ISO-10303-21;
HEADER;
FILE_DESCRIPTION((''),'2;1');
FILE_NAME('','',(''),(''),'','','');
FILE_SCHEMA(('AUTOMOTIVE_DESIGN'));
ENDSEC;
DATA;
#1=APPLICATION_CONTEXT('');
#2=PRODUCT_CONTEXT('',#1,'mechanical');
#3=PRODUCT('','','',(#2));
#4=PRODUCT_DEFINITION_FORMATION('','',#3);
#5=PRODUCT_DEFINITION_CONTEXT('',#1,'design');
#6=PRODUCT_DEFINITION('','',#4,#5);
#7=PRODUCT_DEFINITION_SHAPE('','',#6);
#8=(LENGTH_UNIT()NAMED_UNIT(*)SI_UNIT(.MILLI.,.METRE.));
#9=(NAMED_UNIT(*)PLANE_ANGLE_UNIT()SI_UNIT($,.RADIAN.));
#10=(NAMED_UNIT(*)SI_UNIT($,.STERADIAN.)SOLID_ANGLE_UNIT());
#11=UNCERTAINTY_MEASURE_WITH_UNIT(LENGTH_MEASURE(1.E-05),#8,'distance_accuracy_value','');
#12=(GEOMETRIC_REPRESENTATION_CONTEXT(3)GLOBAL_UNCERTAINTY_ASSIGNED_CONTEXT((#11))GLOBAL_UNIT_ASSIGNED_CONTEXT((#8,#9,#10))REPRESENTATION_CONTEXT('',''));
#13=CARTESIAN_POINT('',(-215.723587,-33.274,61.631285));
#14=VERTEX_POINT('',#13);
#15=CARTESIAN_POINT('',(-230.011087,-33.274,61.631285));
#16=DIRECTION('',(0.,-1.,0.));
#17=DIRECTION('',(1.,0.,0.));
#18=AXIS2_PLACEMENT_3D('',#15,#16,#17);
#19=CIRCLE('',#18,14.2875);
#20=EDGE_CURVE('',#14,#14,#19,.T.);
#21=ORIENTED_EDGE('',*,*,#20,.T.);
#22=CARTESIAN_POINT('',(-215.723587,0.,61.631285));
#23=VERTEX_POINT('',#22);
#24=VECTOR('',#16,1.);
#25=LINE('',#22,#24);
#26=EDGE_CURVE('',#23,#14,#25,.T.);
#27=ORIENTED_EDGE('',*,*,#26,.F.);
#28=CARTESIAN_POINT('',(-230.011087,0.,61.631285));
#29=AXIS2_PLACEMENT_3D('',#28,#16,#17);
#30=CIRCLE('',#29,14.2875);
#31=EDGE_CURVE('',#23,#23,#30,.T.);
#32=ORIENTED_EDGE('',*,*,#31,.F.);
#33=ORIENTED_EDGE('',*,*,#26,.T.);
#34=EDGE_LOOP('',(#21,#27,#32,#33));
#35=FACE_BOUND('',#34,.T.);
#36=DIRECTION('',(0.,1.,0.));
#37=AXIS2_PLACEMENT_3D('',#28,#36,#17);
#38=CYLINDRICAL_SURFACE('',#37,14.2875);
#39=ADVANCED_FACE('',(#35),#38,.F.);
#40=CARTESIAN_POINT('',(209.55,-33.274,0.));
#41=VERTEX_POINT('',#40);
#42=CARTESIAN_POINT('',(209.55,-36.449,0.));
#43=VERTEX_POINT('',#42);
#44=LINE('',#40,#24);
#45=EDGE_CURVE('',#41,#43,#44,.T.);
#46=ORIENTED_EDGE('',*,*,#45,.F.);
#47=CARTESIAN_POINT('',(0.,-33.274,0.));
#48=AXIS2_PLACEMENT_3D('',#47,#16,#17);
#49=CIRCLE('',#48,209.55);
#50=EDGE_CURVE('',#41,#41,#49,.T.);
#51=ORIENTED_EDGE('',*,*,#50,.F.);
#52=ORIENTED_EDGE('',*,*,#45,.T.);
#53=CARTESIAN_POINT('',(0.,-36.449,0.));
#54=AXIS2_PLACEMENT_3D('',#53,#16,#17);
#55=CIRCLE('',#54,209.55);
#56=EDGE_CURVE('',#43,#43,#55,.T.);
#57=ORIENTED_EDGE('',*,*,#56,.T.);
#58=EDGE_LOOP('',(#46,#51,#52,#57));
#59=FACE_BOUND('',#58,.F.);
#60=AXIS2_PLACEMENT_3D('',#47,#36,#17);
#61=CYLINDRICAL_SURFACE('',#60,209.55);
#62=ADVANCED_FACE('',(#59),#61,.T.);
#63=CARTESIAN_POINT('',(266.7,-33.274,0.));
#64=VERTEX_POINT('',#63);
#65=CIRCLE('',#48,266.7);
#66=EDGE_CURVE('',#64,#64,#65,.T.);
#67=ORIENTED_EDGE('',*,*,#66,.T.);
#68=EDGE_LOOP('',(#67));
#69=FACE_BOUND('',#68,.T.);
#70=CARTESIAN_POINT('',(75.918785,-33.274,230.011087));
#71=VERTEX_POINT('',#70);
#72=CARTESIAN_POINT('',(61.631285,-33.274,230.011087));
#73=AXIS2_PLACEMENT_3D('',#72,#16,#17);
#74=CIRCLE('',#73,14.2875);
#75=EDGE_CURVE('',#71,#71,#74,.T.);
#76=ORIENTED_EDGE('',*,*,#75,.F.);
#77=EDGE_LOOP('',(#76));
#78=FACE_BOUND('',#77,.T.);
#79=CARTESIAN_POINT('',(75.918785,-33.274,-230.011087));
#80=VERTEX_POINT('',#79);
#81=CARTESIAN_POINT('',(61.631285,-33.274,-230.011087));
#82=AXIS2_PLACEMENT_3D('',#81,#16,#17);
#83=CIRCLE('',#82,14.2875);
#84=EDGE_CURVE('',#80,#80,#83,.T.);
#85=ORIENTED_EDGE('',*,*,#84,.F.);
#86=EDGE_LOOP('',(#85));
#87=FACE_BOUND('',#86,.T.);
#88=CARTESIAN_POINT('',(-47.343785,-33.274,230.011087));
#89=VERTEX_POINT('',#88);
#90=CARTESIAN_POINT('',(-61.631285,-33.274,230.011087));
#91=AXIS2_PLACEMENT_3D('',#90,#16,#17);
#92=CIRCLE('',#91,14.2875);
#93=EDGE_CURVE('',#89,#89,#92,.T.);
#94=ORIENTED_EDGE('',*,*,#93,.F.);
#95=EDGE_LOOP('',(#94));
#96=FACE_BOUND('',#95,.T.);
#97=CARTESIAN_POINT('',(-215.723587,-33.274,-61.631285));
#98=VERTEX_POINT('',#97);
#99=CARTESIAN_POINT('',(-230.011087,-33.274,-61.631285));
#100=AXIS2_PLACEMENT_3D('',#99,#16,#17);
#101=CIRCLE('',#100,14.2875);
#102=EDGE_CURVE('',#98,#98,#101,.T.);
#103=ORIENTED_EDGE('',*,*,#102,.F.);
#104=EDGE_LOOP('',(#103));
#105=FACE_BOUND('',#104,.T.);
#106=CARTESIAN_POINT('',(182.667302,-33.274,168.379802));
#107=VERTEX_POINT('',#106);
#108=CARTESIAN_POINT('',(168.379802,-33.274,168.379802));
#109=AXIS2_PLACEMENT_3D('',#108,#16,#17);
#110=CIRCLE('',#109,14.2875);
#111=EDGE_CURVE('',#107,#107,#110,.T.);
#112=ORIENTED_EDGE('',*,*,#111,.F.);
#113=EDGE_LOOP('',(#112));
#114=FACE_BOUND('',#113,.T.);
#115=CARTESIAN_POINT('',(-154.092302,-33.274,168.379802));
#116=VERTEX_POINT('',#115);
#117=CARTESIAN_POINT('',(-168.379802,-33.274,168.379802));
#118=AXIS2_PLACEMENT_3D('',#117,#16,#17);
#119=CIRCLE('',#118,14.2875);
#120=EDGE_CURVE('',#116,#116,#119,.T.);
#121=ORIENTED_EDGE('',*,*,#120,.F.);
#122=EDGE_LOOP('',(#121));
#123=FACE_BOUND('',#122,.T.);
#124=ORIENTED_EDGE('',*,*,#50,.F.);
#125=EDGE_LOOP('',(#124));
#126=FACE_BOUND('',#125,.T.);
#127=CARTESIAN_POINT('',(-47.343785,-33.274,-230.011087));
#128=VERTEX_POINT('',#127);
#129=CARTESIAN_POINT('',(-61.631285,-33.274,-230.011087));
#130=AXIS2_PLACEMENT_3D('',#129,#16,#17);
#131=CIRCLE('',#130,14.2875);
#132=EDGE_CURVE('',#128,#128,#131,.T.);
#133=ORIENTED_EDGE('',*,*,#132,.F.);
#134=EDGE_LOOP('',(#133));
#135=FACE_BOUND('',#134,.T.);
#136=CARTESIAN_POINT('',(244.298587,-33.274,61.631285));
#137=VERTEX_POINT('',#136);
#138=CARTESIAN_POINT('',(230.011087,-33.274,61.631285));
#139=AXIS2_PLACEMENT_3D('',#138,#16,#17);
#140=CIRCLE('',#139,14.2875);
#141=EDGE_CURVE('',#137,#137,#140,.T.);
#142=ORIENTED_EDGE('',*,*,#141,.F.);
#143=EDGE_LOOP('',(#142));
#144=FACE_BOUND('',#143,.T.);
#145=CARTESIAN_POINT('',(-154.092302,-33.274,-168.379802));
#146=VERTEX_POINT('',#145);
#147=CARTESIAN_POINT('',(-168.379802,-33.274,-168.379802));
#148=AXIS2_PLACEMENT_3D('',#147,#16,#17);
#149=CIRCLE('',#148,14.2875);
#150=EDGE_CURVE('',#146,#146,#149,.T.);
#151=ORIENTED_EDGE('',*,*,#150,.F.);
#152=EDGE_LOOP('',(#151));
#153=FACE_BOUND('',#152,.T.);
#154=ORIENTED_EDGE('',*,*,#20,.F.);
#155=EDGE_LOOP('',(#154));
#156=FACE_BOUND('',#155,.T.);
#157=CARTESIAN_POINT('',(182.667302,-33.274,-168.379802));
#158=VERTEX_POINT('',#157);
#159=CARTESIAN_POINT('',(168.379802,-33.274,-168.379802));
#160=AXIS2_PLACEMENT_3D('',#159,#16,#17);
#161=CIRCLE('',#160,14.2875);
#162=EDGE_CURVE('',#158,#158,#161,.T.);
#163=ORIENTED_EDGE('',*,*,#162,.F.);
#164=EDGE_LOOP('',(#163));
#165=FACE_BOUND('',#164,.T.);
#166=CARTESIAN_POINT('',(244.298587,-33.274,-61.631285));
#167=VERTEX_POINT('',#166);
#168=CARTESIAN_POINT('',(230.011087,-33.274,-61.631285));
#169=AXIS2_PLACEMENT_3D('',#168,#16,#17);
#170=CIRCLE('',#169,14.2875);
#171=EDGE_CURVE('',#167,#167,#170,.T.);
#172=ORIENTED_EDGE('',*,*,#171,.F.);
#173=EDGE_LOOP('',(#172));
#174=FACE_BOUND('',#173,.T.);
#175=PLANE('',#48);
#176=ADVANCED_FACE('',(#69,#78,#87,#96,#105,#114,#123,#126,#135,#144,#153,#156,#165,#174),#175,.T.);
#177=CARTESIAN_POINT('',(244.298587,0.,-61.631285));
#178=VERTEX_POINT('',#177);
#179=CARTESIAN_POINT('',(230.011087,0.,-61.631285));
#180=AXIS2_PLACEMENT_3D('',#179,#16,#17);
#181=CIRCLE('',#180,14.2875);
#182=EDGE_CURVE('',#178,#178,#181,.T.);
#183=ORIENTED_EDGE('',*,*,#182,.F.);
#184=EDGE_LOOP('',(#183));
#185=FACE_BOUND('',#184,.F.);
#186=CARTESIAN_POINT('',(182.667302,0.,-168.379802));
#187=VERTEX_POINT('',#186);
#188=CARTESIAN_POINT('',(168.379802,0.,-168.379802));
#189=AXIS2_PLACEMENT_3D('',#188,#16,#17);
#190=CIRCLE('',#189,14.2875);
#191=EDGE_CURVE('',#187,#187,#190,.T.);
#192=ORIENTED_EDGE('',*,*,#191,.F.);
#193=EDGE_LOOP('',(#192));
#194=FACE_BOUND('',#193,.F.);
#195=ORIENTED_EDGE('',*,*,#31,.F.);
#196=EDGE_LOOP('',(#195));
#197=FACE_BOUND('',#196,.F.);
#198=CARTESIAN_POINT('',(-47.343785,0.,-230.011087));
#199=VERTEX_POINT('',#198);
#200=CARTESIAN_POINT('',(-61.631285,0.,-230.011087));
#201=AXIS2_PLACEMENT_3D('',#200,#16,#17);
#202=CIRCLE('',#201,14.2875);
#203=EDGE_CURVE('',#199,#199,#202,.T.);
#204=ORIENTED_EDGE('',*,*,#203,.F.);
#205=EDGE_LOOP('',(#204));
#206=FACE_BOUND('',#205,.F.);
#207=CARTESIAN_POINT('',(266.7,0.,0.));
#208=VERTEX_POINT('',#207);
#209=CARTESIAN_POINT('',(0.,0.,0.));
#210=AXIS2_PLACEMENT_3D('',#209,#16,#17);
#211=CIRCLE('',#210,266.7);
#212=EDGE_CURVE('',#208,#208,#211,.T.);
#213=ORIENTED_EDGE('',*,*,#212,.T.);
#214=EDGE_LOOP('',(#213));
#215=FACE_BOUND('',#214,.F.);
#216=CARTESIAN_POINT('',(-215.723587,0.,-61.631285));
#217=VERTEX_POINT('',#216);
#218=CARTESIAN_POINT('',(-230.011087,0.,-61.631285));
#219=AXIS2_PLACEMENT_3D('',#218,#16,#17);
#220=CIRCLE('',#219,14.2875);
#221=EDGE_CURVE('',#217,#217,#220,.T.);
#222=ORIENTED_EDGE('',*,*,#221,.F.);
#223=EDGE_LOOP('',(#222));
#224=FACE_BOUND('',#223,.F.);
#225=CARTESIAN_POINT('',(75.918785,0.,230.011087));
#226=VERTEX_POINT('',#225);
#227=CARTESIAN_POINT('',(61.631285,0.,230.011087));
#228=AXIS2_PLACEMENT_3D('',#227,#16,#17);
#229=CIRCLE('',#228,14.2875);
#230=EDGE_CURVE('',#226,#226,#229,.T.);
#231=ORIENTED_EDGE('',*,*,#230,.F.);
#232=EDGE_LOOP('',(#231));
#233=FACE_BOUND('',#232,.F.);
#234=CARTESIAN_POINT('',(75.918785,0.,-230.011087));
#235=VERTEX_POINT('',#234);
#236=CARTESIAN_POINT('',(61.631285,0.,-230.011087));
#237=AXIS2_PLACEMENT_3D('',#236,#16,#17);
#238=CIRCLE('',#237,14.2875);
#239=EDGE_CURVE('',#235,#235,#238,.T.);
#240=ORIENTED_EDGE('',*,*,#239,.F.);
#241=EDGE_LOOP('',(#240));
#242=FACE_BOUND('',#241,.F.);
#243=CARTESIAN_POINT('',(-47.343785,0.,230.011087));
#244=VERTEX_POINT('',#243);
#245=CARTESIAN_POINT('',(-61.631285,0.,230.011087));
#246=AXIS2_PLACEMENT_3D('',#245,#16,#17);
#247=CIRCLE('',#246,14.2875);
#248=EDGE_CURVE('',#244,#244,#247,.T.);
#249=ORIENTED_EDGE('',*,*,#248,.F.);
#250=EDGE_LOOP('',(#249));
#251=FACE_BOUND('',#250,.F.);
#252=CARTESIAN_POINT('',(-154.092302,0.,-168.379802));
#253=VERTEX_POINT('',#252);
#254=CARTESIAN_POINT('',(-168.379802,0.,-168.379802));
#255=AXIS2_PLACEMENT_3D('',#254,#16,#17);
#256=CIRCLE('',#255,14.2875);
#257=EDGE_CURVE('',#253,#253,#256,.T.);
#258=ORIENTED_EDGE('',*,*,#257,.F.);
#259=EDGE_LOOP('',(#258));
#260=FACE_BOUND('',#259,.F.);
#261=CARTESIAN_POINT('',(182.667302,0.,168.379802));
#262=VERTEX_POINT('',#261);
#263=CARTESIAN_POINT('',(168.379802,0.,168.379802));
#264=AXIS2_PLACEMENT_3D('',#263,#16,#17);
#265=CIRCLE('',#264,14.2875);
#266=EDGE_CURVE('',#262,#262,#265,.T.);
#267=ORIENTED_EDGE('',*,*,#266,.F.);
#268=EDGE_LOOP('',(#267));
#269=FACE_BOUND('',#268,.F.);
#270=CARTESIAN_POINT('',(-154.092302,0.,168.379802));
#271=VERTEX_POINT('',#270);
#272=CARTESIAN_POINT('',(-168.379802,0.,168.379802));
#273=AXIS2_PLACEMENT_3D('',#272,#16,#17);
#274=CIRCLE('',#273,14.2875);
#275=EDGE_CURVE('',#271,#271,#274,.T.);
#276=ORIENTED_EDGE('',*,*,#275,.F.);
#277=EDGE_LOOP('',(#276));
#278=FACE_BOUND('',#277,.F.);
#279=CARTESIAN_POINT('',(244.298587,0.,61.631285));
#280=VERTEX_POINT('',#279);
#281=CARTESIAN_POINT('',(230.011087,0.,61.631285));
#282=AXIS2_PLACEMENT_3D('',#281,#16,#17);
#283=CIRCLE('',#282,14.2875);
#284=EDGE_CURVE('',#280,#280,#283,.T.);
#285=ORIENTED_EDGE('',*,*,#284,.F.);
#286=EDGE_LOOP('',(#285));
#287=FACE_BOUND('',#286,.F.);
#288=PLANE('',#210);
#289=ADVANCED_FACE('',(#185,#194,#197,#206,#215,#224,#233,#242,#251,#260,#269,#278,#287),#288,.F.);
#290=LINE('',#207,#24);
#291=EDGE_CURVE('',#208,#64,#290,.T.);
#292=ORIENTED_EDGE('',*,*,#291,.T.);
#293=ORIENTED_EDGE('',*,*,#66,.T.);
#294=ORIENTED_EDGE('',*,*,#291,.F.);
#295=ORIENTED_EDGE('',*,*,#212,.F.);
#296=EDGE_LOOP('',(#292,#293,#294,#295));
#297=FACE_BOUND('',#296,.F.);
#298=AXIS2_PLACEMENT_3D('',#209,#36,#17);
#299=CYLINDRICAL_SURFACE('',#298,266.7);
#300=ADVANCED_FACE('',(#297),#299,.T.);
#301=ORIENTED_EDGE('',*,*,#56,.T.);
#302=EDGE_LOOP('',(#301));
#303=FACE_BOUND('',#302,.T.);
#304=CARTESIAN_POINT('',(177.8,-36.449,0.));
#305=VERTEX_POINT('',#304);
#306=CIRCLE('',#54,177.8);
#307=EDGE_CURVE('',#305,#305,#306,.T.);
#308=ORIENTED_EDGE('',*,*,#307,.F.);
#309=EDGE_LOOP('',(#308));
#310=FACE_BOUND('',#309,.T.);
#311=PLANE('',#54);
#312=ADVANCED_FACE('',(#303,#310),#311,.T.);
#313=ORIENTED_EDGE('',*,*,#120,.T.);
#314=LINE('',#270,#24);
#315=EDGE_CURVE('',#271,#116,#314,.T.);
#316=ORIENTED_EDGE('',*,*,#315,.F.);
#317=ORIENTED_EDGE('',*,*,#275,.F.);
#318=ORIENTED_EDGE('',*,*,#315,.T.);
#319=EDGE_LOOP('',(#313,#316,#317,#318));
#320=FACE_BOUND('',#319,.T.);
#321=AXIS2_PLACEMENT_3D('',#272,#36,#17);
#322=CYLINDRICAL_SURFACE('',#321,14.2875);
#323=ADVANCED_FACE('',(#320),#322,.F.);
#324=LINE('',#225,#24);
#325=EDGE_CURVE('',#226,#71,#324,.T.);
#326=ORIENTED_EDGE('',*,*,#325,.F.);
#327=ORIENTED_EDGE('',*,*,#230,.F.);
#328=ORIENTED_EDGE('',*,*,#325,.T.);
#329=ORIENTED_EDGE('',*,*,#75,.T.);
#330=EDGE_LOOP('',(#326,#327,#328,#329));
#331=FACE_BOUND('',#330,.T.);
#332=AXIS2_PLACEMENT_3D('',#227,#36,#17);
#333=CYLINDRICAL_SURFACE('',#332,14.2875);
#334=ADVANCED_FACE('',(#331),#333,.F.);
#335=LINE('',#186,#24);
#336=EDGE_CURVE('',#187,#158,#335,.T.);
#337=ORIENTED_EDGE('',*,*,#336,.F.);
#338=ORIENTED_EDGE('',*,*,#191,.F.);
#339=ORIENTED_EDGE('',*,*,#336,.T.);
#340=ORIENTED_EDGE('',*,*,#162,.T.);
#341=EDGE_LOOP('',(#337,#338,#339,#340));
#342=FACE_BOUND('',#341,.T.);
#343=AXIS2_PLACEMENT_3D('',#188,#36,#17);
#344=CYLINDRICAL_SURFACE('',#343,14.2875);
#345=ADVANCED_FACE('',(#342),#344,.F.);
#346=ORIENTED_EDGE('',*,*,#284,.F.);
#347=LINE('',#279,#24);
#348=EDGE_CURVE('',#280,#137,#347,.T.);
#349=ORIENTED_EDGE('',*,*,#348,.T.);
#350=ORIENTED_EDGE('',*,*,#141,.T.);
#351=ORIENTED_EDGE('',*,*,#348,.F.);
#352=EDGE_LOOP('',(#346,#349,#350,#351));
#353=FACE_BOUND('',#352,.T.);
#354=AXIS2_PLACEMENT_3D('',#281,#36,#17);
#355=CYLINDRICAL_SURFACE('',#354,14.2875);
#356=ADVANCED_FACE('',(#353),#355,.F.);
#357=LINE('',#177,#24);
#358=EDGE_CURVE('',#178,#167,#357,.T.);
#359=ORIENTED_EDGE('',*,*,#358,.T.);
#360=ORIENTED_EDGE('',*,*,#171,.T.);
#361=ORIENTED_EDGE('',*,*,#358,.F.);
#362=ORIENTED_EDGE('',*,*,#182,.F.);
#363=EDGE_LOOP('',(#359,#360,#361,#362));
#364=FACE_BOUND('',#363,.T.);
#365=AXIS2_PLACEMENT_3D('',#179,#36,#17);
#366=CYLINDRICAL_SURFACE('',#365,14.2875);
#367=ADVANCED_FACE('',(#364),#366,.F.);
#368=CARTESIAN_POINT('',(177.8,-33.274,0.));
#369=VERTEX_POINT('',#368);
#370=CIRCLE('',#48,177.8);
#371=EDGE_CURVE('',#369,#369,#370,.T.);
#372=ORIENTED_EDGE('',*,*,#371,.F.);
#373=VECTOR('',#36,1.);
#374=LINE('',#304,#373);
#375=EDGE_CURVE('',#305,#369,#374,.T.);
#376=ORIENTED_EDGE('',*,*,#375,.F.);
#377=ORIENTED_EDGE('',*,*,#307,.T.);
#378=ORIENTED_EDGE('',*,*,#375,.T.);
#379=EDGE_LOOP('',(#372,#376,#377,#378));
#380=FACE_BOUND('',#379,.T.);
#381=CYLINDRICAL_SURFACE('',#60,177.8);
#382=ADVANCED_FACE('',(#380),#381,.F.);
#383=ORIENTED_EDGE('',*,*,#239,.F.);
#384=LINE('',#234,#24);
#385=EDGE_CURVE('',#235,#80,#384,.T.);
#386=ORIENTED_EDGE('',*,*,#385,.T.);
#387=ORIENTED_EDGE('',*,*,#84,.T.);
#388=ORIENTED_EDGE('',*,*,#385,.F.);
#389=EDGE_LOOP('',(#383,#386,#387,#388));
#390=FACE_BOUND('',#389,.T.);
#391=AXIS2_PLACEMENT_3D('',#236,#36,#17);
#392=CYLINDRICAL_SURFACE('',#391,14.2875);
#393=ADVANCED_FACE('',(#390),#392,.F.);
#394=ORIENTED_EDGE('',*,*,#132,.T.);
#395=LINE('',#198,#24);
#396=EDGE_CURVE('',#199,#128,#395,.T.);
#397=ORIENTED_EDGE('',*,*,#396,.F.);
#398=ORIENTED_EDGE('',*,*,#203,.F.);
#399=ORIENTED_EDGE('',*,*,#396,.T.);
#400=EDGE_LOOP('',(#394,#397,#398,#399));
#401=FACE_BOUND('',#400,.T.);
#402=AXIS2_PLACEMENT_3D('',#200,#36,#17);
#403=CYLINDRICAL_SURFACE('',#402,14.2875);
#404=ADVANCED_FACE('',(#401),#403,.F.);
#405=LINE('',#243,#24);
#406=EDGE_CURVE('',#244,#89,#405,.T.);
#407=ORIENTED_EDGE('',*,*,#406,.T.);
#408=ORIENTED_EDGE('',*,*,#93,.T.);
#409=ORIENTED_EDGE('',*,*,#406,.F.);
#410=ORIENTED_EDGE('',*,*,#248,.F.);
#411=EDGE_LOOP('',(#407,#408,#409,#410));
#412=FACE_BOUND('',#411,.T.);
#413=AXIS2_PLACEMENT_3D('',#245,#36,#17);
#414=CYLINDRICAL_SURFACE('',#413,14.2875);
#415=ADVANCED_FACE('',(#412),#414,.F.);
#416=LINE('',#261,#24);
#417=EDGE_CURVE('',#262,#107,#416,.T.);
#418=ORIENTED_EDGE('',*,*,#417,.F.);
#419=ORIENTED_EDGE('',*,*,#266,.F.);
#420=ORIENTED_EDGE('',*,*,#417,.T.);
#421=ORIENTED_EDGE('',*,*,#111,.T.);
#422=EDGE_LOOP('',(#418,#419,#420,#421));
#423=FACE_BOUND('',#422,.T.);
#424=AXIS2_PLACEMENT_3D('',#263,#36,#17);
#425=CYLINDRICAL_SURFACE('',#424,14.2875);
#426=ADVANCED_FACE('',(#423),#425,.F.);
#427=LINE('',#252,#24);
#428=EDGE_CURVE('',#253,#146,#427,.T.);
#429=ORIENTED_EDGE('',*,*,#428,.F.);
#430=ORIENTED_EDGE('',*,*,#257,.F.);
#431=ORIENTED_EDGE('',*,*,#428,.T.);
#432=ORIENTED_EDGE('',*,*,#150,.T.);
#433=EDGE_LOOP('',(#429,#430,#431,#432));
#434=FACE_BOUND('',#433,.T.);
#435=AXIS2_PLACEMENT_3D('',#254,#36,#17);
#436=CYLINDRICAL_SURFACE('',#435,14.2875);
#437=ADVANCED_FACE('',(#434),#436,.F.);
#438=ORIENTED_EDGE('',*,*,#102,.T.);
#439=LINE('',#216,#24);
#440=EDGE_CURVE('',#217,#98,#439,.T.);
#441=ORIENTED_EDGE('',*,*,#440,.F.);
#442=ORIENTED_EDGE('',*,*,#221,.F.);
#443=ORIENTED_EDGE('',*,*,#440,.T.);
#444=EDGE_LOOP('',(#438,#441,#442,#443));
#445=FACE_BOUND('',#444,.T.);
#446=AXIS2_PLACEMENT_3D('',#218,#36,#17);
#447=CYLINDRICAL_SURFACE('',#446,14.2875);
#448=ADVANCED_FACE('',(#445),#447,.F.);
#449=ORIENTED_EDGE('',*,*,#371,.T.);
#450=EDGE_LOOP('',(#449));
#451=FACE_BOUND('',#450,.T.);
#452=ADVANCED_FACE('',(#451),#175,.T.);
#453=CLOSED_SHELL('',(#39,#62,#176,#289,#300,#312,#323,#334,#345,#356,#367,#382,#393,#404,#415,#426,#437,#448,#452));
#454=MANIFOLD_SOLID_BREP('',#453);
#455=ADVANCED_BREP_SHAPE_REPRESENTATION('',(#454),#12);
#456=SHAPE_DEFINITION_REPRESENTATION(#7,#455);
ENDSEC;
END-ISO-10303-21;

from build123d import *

# Parameters (mm, degrees)
F0_R     = 266.7
F0_R_2   = 14.2875
F0_R_3   = 177.8
F1_DEPTH = 33.274
F2_R     = 209.55
F2_R_2   = 177.8
F3_DEPTH = 3.175
F4_R     = 177.8
F5_DEPTH = 33.274


with BuildPart() as f1:
    # F0 (on Front) → F1 (new body)
    with BuildSketch(Plane.XZ):
        Circle(F0_R)
        with Locations((-168.379802, -168.379802)):
            Circle(F0_R_2, mode=Mode.SUBTRACT)
        with Locations((-61.631285, -230.011087)):
            Circle(F0_R_2, mode=Mode.SUBTRACT)
        with Locations((-230.011087, -61.631285)):
            Circle(F0_R_2, mode=Mode.SUBTRACT)
        with Locations((61.631285, -230.011087)):
            Circle(F0_R_2, mode=Mode.SUBTRACT)
        with Locations((168.379802, -168.379802)):
            Circle(F0_R_2, mode=Mode.SUBTRACT)
        with Locations((230.011087, -61.631285)):
            Circle(F0_R_2, mode=Mode.SUBTRACT)
        with Locations((-230.011087, 61.631285)):
            Circle(F0_R_2, mode=Mode.SUBTRACT)
        with Locations((-168.379802, 168.379802)):
            Circle(F0_R_2, mode=Mode.SUBTRACT)
        with Locations((-61.631285, 230.011087)):
            Circle(F0_R_2, mode=Mode.SUBTRACT)
        Circle(F0_R_3, mode=Mode.SUBTRACT)
        with Locations((230.011087, 61.631285)):
            Circle(F0_R_2, mode=Mode.SUBTRACT)
        with Locations((61.631285, 230.011087)):
            Circle(F0_R_2, mode=Mode.SUBTRACT)
        with Locations((168.379802, 168.379802)):
            Circle(F0_R_2, mode=Mode.SUBTRACT)
    extrude(amount=F1_DEPTH)

    # F2 (on face) → F3 (join)
    with BuildSketch(Plane.XZ.offset(33.274)):
        Circle(F2_R)
        Circle(F2_R_2, mode=Mode.SUBTRACT)
    extrude(amount=F3_DEPTH)

    # F4 (on face) → F5 (join)
    with BuildSketch(Plane.XZ.offset(33.274)):
        Circle(F4_R)
    extrude(amount=-F5_DEPTH)


solid = f1.part
